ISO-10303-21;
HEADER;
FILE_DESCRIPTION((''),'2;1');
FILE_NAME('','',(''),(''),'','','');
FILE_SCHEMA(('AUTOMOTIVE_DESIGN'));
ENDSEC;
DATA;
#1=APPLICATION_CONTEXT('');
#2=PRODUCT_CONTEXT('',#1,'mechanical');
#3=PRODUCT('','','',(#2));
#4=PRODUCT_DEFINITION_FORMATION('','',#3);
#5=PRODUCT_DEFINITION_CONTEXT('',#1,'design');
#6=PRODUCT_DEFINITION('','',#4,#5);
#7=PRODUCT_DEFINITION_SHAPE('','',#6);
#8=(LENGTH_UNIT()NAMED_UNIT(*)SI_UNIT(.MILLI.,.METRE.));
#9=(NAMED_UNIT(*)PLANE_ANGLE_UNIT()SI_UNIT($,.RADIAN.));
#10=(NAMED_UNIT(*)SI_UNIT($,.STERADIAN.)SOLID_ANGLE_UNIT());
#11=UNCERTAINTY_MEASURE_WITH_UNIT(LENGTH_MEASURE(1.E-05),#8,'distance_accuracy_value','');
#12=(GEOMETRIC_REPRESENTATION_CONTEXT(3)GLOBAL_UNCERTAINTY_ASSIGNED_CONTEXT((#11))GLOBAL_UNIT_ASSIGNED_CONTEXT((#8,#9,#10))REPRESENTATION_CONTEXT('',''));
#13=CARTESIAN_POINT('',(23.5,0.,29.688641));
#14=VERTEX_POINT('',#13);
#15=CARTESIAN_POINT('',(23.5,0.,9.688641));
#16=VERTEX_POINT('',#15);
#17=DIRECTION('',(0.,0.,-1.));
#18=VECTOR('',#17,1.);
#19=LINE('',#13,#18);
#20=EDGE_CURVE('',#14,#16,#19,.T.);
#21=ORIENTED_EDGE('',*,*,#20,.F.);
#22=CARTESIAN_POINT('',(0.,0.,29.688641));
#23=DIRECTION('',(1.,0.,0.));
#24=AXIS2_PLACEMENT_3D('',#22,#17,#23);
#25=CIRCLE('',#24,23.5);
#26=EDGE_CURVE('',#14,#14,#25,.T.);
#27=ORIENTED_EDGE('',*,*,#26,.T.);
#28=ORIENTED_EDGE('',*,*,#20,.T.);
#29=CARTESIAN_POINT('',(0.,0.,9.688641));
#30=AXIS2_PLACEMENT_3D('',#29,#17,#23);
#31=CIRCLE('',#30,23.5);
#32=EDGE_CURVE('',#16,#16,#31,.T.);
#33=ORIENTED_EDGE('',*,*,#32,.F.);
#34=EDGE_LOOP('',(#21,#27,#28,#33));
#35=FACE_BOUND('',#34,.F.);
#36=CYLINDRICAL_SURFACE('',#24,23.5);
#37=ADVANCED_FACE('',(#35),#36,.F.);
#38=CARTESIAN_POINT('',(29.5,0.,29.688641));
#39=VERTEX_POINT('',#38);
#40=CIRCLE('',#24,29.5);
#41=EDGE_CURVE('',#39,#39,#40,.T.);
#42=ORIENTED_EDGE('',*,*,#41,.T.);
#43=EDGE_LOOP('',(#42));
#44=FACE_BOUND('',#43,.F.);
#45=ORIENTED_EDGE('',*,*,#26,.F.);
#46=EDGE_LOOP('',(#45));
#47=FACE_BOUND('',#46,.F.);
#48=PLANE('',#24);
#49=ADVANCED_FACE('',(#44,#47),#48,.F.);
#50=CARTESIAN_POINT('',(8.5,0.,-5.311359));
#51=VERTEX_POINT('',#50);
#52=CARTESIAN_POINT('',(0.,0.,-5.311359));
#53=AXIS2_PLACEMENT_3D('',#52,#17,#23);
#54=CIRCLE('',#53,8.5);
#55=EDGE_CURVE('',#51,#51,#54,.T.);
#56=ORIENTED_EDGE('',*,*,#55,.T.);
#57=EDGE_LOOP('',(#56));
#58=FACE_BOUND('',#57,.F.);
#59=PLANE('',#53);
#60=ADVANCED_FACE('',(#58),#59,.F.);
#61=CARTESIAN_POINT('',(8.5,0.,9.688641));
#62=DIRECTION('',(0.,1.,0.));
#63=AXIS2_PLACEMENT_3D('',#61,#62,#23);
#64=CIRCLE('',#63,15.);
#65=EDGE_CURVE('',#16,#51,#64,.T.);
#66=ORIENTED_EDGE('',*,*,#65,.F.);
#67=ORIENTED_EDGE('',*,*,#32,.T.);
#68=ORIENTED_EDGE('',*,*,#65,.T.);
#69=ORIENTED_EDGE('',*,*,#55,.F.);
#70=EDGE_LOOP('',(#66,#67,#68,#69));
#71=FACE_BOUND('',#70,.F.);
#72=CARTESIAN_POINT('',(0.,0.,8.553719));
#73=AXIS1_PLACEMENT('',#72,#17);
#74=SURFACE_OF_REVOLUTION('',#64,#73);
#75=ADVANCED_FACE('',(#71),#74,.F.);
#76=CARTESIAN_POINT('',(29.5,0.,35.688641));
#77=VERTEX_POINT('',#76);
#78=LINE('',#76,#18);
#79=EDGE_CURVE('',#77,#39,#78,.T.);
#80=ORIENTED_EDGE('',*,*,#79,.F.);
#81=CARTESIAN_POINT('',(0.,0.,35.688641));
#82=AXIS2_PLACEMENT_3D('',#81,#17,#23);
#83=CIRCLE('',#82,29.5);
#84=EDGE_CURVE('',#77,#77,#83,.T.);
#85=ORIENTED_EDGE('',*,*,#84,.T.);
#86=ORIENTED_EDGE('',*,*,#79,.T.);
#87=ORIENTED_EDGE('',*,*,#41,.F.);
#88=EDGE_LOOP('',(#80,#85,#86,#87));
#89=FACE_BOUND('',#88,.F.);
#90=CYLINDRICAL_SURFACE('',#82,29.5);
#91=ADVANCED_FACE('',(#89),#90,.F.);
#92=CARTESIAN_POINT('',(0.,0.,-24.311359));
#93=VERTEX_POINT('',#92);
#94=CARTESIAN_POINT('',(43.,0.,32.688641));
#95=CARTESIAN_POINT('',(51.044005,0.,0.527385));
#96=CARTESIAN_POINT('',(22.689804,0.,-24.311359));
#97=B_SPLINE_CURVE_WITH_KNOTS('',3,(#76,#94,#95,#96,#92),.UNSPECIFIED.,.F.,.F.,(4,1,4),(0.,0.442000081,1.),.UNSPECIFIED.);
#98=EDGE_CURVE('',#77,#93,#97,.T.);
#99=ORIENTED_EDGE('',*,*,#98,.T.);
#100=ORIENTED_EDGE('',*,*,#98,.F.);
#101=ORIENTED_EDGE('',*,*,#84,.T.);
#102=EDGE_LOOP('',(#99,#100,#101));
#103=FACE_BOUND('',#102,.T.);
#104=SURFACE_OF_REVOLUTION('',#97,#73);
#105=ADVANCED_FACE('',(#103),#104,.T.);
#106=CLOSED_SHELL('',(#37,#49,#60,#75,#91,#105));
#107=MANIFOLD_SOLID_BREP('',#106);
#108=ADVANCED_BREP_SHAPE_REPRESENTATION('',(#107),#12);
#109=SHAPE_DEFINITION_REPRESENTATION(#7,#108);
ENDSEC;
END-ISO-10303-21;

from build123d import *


with BuildPart() as f1:
    # F0 (on Front) → F1 (revolve)
    with BuildSketch(Plane.XZ):
        with BuildLine():
            Line((29.5, 29.6886413177), (23.5, 29.6886413177))
            Line((23.5, 29.6886413177), (23.5, 9.6886413177))
            ThreePointArc((23.5, 9.6886413177), (19.1066017178, -0.9179604001), (8.5, -5.3113586823))
            Line((8.5, -5.3113586823), (0, -5.3113586823))
            Line((0, -5.3113586823), (0, -24.3113586823))
            add(Edge.make_bspline(
                [(29.5, 35.6886413177), (43, 32.6886413177), (51.0440050218, 0.5273848631), (22.6898039743, -24.3113586823), (0, -24.3113586823)],
                knots=[0, 0, 0, 0, 0.4420000814, 1, 1, 1, 1], degree=3))
            Line((29.5, 35.6886413177), (29.5, 29.6886413177))
        make_face()
    revolve(axis=Axis((0, 0, 8.553719148), (0, 0, -1)))


solid = f1.part
